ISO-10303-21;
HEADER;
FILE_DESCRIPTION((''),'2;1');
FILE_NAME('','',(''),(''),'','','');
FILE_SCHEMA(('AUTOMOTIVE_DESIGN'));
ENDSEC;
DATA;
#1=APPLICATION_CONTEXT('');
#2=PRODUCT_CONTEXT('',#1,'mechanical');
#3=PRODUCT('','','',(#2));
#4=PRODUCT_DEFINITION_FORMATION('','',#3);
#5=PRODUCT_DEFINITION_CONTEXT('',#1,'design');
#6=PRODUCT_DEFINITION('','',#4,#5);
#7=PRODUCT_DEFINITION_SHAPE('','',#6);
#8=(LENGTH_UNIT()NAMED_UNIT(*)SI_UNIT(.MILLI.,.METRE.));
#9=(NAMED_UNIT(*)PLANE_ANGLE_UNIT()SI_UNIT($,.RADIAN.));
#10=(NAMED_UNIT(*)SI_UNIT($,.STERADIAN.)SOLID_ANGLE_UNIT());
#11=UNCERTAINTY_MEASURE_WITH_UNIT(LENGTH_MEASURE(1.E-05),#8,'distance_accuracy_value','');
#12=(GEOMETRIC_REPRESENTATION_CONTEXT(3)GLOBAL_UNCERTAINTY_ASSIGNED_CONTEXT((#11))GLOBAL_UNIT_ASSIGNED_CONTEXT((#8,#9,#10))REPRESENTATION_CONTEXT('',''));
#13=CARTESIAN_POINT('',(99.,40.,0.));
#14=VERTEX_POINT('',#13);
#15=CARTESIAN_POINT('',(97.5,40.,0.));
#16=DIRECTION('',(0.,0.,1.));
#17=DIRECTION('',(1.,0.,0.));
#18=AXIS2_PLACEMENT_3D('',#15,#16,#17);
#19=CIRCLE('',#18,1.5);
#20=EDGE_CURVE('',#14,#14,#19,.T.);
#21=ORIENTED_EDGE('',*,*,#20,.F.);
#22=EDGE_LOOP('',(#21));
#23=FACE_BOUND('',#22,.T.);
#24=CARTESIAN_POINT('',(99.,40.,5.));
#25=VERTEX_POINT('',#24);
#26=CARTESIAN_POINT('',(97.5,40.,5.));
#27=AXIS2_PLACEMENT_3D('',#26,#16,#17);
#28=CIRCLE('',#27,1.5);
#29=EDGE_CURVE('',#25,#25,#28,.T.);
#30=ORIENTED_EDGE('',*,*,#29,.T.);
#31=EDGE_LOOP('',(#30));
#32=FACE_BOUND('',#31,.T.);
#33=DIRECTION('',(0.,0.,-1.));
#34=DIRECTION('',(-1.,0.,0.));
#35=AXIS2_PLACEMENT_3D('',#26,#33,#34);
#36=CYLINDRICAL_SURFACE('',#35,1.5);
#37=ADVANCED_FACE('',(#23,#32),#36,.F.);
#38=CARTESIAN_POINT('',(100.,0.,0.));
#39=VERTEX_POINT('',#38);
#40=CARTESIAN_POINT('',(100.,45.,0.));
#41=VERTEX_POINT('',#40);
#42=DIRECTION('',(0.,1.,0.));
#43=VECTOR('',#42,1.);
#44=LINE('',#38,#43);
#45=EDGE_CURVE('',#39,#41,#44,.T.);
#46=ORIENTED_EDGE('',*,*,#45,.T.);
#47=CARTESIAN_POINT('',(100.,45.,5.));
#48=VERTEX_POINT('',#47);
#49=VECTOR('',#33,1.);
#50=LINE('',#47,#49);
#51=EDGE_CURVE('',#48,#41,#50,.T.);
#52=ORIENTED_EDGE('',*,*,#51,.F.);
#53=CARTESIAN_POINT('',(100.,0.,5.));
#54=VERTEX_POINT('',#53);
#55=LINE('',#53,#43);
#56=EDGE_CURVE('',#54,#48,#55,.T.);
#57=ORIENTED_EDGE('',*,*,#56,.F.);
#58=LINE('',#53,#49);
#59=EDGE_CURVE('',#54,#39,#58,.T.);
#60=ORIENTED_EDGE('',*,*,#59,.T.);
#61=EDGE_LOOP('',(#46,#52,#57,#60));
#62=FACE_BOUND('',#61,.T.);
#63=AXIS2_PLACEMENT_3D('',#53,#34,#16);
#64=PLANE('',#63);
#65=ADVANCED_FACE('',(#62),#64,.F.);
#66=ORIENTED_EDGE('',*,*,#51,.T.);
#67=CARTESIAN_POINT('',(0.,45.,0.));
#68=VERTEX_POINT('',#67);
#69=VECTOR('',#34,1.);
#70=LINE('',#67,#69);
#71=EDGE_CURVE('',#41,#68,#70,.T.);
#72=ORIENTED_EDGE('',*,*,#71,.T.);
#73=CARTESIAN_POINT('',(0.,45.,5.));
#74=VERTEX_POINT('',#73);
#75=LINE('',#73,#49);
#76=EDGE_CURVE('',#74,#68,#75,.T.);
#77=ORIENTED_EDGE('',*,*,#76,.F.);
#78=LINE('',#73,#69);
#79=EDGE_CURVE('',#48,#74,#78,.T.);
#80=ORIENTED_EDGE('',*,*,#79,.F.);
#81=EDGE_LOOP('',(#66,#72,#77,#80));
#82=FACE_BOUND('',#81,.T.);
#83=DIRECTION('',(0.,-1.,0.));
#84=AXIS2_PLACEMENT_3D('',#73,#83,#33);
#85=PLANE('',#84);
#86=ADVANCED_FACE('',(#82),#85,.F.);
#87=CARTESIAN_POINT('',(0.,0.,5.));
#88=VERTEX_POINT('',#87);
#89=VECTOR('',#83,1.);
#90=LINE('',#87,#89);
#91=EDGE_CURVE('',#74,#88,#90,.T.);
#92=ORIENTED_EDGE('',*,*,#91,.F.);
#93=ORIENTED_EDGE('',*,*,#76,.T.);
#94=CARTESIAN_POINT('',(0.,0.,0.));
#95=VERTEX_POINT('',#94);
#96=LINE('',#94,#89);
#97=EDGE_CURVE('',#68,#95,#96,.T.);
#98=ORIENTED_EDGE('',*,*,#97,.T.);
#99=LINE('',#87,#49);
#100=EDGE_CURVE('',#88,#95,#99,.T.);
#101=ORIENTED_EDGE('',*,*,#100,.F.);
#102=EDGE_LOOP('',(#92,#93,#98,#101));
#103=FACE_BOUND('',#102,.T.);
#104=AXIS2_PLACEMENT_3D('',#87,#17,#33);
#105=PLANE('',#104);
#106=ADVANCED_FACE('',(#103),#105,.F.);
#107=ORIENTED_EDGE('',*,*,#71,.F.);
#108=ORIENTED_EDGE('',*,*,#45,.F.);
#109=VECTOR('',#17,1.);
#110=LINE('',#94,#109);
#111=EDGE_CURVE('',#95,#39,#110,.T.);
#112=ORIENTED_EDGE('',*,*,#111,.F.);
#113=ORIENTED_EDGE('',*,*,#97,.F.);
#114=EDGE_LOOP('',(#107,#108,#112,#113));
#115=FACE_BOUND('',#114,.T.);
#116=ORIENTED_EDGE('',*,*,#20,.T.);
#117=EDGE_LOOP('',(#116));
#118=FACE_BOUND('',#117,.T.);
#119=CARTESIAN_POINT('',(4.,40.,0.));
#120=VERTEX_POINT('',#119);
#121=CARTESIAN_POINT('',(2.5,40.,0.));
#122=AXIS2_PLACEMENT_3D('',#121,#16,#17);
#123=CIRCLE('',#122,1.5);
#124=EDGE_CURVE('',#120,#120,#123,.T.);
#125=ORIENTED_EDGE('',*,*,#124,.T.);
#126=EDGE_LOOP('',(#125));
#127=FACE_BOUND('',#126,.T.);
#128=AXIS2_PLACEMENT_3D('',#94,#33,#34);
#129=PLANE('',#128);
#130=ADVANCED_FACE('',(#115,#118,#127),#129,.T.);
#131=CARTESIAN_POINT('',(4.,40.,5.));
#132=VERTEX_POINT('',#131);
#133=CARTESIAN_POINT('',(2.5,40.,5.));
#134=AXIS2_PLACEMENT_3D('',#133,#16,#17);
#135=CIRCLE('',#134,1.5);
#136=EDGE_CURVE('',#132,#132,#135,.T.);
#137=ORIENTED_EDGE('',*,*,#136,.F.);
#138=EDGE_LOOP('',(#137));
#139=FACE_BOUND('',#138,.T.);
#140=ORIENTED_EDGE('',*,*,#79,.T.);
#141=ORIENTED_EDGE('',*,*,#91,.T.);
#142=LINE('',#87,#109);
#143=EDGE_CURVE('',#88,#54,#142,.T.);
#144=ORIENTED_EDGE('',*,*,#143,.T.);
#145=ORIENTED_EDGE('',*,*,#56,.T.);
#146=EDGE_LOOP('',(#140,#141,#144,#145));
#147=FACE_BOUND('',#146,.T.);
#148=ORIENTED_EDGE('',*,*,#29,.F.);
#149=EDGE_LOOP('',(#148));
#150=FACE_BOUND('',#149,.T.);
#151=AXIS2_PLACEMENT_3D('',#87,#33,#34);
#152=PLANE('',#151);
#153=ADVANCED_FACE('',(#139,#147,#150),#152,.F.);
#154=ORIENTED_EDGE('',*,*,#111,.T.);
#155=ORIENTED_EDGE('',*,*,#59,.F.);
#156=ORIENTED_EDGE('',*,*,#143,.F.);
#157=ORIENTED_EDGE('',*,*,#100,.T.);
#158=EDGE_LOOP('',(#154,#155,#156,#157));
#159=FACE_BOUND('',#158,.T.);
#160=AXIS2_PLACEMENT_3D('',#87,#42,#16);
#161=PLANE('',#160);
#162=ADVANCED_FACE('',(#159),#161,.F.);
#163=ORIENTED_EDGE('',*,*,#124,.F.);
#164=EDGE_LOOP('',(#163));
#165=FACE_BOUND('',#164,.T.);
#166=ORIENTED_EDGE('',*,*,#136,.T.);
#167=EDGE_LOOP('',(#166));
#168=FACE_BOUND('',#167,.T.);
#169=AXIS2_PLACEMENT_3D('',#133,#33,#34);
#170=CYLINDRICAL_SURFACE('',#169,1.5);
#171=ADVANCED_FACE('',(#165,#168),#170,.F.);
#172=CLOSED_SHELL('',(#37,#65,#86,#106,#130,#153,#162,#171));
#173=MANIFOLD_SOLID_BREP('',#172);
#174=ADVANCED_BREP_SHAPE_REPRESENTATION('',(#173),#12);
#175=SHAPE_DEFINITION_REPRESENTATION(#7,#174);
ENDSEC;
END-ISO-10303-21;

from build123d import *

# Parameters (mm, degrees)
SKETCH1_W           = 100
SKETCH1_H           = 45
SKETCH1_R           = 1.5
BOSS_EXTRUDE1_DEPTH = 5


with BuildPart() as part:
    # Sketch1 → Boss-Extrude1 (new body)
    with BuildSketch(Plane.XY):
        with Locations((50, 22.5)):
            Rectangle(SKETCH1_W, SKETCH1_H)
        with Locations((2.5, 40)):
            Circle(SKETCH1_R, mode=Mode.SUBTRACT)
        with Locations((97.5, 40)):
            Circle(SKETCH1_R, mode=Mode.SUBTRACT)
    extrude(amount=BOSS_EXTRUDE1_DEPTH)


solid = part.part
